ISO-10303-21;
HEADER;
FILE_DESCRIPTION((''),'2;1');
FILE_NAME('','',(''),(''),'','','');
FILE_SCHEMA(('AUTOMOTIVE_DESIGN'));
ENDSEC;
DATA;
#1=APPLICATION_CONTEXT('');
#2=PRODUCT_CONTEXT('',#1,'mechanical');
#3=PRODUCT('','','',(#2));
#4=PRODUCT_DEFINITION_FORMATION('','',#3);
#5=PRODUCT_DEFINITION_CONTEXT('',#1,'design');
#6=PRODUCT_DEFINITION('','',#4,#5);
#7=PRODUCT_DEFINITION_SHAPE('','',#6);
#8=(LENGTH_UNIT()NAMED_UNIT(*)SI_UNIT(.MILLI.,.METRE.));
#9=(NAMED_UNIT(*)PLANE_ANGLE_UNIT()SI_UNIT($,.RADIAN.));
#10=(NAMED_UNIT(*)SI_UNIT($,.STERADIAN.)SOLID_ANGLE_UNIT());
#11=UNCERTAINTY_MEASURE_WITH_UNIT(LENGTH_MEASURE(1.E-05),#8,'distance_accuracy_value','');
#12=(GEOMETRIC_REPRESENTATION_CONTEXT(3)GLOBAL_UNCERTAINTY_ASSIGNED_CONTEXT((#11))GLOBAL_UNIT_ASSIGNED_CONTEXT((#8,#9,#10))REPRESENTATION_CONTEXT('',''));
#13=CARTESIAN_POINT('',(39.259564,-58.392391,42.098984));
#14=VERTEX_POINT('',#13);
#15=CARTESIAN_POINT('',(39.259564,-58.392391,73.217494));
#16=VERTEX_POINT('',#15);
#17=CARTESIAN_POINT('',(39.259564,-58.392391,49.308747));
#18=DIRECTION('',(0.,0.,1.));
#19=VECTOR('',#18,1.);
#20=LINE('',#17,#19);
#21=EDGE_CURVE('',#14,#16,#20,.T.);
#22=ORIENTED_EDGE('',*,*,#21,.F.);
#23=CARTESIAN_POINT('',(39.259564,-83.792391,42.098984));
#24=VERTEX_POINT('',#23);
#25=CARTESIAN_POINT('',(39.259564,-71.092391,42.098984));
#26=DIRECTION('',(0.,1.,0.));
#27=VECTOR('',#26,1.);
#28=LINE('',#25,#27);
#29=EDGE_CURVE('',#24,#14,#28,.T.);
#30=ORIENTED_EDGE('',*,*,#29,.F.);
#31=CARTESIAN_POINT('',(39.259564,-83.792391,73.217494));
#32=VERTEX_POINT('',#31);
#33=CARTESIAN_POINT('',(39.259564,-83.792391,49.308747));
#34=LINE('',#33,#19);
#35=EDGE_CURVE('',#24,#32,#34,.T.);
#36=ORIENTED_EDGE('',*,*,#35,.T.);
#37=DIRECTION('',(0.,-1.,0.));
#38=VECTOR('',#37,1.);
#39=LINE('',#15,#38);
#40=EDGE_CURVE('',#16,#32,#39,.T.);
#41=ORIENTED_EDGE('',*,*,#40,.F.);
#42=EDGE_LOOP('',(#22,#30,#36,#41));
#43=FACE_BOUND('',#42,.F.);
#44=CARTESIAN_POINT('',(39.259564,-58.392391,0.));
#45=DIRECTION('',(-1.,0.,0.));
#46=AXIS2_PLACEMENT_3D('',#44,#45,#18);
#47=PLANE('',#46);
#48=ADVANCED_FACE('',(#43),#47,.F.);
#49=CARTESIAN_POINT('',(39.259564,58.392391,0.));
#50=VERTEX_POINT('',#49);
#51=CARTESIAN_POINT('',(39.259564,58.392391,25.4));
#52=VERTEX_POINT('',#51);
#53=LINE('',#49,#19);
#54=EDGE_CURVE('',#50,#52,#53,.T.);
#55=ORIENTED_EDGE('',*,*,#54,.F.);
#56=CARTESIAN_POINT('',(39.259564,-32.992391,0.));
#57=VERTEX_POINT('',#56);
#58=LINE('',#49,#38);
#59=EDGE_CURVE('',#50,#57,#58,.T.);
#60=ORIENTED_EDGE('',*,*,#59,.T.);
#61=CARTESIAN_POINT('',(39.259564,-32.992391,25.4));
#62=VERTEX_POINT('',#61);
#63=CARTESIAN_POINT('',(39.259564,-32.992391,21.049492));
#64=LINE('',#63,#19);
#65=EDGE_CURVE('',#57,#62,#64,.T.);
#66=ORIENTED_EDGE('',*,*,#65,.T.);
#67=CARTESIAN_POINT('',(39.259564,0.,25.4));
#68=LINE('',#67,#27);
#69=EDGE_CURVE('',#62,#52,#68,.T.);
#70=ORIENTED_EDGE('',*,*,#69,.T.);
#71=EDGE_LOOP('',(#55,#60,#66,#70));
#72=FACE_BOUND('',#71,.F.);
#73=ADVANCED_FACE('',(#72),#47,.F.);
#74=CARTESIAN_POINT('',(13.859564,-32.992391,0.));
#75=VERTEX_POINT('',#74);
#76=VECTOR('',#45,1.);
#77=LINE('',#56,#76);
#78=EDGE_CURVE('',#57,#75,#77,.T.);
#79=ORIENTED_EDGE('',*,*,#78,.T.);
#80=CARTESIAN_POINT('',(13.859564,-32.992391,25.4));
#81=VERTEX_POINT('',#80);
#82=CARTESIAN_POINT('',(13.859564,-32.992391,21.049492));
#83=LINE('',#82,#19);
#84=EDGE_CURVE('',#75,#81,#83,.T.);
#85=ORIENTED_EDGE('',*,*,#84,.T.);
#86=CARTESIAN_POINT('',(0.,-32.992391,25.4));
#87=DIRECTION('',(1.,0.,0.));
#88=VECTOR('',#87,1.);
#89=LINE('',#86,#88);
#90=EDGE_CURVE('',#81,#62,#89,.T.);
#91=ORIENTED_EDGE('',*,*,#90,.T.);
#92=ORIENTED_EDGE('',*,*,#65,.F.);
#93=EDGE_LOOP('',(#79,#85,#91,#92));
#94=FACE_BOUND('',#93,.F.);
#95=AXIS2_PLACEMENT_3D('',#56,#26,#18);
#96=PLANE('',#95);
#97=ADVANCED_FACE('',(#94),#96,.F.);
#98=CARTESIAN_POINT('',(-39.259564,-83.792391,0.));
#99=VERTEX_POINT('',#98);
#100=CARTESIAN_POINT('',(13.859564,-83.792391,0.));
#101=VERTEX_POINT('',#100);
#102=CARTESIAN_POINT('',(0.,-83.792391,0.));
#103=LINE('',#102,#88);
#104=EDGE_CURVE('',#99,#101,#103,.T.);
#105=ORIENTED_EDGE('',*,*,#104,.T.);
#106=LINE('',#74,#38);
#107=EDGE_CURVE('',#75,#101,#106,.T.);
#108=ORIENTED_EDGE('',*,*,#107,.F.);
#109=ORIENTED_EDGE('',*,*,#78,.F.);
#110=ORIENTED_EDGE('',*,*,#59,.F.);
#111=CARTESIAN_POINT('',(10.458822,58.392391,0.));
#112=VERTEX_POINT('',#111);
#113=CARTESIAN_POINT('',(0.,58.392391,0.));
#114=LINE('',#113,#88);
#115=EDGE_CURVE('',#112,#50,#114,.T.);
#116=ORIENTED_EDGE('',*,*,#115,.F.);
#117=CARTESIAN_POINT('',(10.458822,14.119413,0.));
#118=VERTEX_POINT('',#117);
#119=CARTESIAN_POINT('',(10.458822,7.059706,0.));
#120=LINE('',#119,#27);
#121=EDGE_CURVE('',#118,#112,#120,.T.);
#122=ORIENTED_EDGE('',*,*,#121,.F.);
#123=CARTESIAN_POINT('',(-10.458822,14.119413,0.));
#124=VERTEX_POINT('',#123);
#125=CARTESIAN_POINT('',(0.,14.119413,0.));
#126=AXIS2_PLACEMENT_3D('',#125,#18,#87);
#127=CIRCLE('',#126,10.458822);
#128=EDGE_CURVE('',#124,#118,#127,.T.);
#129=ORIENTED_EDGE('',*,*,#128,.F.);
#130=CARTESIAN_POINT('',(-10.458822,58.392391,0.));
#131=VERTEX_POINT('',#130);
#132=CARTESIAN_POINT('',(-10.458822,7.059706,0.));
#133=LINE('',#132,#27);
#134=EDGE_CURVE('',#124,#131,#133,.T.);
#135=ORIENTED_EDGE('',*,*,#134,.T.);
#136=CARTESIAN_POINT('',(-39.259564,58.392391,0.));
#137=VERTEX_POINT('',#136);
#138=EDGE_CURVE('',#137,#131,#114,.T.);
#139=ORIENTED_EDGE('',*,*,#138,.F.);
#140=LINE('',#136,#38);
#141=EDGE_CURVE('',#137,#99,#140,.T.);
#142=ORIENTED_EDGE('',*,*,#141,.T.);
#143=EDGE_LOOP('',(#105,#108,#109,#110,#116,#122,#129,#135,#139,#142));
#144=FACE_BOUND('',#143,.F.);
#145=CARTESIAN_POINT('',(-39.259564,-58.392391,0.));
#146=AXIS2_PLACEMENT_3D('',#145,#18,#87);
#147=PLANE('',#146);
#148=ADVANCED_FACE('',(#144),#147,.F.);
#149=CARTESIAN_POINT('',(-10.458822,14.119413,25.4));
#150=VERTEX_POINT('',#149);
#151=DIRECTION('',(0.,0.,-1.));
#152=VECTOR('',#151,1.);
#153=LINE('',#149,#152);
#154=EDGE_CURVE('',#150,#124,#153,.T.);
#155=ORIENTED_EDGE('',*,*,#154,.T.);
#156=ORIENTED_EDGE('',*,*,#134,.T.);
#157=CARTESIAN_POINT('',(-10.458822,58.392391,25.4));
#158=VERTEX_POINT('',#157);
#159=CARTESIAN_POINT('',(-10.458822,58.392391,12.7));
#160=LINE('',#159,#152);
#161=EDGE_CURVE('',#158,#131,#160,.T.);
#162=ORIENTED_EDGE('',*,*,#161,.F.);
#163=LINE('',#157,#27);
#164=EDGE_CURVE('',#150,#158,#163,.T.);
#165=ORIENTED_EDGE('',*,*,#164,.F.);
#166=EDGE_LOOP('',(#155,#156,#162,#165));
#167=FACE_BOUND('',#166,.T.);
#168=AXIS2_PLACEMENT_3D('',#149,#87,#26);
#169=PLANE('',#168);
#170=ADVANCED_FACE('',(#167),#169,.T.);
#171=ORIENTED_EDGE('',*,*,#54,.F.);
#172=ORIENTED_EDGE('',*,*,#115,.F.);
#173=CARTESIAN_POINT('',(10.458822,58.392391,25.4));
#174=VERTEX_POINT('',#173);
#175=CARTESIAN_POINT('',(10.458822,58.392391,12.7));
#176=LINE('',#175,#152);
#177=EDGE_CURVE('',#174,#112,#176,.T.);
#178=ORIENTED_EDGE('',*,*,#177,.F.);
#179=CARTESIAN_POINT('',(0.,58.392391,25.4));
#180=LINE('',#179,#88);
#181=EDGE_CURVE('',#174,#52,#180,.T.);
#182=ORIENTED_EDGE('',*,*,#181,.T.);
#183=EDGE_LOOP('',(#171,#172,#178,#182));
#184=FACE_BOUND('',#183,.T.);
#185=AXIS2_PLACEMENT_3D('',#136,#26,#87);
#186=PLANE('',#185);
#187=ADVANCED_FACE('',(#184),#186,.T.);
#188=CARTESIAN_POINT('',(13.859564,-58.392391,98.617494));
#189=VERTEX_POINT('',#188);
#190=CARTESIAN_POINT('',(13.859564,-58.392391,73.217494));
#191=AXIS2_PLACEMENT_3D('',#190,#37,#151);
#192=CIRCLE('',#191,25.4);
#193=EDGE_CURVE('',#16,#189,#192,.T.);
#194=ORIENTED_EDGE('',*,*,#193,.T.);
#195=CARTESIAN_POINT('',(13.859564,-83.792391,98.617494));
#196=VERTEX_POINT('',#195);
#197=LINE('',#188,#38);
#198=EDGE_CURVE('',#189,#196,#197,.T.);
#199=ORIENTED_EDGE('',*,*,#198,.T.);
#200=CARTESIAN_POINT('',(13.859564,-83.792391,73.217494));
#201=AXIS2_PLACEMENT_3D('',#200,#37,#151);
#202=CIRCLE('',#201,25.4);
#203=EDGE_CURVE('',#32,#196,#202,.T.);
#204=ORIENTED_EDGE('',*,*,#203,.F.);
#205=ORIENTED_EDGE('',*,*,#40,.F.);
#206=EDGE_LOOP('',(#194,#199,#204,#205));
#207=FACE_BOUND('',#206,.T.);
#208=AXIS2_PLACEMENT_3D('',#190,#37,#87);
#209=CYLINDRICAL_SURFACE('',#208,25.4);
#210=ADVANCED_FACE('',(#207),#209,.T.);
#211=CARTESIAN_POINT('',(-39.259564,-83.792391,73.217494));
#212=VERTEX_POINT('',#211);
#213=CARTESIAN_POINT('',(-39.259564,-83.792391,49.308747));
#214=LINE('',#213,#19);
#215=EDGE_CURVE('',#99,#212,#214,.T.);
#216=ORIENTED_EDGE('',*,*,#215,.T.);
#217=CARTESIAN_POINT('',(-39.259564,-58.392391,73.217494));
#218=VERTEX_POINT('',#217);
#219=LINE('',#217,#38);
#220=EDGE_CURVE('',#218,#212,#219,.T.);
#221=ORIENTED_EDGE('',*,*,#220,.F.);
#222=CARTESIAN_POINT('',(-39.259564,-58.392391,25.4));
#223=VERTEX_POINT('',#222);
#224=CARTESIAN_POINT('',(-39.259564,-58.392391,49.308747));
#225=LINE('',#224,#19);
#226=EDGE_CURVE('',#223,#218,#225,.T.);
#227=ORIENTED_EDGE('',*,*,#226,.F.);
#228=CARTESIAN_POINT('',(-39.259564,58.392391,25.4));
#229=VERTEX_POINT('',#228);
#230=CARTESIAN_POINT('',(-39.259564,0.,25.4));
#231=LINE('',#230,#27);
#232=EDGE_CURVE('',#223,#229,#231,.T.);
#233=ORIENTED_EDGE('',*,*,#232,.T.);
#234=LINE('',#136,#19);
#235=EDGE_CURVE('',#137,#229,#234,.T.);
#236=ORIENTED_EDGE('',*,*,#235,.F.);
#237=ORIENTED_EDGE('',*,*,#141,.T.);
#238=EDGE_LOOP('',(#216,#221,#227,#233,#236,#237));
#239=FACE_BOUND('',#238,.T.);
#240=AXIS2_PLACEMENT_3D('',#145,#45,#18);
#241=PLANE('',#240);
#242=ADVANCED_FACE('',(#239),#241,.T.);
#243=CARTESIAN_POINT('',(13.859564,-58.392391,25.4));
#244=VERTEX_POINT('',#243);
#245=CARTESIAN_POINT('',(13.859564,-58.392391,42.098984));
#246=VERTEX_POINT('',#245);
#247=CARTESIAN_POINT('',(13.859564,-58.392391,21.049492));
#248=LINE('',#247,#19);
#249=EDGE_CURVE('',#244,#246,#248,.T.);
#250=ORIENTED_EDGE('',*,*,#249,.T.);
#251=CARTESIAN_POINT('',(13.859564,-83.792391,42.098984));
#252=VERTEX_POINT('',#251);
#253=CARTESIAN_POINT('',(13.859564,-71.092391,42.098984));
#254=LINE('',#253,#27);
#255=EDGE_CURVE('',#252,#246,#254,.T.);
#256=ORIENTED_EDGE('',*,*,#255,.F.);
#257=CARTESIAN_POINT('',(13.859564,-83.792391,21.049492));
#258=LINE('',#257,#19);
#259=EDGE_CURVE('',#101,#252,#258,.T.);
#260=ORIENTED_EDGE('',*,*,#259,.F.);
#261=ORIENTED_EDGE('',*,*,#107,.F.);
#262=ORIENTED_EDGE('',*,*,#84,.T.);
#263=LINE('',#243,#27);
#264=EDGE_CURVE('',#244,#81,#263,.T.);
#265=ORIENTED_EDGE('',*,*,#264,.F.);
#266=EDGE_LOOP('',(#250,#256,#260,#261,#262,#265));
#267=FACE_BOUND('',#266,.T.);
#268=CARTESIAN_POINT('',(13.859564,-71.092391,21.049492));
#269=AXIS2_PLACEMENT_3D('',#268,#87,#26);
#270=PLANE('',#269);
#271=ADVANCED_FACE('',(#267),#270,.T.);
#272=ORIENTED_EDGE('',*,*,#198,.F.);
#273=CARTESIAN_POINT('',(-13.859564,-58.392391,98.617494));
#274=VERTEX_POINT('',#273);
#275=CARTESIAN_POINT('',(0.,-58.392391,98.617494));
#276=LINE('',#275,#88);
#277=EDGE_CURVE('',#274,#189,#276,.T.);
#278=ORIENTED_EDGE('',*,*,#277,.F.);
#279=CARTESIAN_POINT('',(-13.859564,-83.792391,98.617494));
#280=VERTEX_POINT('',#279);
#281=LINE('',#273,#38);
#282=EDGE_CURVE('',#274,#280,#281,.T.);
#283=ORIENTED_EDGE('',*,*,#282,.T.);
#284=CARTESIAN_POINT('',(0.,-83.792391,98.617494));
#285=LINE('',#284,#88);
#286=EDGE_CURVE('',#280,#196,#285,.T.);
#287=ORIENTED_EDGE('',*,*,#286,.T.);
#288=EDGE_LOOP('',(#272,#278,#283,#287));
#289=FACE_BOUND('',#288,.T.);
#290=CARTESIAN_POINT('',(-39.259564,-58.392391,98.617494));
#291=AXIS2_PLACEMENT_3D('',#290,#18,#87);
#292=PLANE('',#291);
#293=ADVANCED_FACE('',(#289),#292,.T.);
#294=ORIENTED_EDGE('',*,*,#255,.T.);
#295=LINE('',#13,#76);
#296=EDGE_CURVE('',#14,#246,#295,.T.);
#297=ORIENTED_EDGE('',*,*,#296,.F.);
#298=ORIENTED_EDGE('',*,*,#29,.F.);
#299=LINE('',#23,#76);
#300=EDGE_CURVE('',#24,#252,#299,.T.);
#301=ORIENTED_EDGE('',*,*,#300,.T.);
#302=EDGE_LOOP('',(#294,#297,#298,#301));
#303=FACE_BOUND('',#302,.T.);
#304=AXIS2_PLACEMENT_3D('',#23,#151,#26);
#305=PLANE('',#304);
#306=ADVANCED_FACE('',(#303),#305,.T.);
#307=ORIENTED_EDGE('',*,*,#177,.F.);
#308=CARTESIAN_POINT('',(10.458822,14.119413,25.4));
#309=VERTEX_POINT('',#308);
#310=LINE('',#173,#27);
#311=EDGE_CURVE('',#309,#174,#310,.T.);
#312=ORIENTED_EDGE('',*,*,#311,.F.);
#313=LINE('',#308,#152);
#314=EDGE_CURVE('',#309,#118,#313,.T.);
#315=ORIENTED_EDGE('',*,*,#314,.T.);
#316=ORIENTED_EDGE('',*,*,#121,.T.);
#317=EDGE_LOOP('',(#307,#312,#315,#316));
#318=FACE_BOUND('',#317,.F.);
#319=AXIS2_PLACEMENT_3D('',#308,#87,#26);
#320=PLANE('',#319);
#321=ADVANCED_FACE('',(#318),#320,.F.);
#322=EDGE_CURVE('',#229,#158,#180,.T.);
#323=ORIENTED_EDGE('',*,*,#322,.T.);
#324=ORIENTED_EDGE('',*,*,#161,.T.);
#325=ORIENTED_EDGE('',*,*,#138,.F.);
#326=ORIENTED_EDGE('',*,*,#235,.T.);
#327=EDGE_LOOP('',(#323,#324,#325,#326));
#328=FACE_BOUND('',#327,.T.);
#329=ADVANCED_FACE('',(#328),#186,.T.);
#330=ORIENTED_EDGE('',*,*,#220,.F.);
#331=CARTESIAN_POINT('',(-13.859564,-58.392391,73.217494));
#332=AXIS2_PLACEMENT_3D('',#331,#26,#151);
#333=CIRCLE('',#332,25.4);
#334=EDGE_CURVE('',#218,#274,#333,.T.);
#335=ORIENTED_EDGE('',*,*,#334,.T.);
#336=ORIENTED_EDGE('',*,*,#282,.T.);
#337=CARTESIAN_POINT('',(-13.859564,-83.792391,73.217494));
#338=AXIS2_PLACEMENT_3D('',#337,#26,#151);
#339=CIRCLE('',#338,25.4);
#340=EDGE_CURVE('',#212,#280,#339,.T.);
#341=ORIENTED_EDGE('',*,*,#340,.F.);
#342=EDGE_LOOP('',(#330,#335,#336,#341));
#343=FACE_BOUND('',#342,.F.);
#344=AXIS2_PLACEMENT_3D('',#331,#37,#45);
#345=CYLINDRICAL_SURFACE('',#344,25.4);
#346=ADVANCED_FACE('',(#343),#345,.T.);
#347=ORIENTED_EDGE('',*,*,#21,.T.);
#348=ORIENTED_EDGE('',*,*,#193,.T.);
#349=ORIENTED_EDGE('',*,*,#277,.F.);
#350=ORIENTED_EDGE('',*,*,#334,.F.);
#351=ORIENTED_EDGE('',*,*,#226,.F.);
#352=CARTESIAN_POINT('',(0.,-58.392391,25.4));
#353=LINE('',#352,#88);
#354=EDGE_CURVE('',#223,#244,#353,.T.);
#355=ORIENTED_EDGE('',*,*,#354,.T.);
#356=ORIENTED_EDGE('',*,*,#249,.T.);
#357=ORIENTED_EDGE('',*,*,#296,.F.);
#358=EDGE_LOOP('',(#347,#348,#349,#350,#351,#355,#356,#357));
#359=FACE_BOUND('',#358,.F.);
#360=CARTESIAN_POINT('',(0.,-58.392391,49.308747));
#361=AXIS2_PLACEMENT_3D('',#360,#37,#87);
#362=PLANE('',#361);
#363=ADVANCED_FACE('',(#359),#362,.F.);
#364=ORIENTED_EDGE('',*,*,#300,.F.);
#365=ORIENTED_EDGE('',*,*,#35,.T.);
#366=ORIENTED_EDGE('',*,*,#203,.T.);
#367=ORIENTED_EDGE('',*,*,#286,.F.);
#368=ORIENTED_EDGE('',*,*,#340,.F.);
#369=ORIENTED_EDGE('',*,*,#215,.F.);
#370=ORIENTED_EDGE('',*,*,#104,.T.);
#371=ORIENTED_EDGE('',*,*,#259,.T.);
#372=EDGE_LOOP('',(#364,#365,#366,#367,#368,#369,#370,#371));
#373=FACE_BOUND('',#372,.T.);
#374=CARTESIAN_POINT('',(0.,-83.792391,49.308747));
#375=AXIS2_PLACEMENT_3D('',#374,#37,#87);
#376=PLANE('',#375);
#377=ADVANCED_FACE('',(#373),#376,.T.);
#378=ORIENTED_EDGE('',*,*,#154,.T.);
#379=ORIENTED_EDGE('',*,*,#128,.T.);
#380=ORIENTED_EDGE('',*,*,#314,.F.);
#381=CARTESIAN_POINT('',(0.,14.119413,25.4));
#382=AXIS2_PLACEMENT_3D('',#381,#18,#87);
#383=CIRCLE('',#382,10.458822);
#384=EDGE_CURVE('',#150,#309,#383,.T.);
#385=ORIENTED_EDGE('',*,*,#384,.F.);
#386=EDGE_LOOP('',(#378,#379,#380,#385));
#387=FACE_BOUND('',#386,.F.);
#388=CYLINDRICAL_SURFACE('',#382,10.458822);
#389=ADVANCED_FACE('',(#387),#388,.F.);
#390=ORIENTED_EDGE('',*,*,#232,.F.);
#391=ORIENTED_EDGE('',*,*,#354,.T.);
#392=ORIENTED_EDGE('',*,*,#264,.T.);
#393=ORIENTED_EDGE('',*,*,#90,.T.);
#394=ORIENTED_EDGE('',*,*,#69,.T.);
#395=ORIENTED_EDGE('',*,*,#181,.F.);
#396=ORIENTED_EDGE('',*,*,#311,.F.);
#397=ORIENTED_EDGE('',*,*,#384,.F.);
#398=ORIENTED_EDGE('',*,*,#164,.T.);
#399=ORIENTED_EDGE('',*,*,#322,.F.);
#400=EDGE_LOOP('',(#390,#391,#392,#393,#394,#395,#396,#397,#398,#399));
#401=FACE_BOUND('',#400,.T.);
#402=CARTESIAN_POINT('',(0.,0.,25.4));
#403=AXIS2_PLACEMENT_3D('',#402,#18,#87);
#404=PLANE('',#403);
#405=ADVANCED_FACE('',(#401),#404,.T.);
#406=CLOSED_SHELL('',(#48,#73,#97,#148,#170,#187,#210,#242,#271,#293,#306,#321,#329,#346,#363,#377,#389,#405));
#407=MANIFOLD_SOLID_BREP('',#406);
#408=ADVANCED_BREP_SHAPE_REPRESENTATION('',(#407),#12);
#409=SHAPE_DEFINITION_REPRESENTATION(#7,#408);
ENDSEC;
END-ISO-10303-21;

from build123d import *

# Parameters (mm, degrees)
F0_W      = 78.519128263
F0_H      = 116.7847812176
F1_DEPTH  = 25.4
F2_W      = 20.9176447242
F2_H      = 88.5459557176
F3_DEPTH  = 25.401
F4_R      = 10.4588223621
F5_DEPTH  = 25.4
F6_W      = 78.519128263
F6_H      = 98.6174941063
F7_DEPTH  = 25.4
F8_R      = 25.4
F9_W      = 25.4
F9_H      = 42.0989841223
F10_DEPTH = 25.4
F11_DEPTH = 25.4


with BuildPart() as f1:
    # F0 (on Top) → F1 (new body)
    with BuildSketch(Plane.XY):
        Rectangle(F0_W, F0_H)
    extrude(amount=F1_DEPTH)

    # F2 (on face) → F3 (cut, through all)
    with BuildSketch(Plane.XY.offset(25.4)):
        with Locations((0, 58.3923906088)):
            Rectangle(F2_W, F2_H)
    extrude(amount=-F3_DEPTH, mode=Mode.SUBTRACT)

    # F4 (on face) → F5 (cut)
    with BuildSketch(Plane.XY.offset(25.4)):
        with Locations((0, 14.11941275)):
            Circle(F4_R)
    extrude(amount=-F5_DEPTH, mode=Mode.SUBTRACT)

    # F6 (on face) → F7 (join)
    with BuildSketch(Plane.XZ.offset(58.3923906088)):
        with Locations((0, 49.3087470531)):
            Rectangle(F6_W, F6_H)
    extrude(amount=F7_DEPTH)

    # F8
    f8_edges = [f1.edges().sort_by_distance(p)[0] for p in [
        (-39.259564, -71.092391, 98.617494),
        (39.259564, -71.092391, 98.617494),
    ]]
    fillet(f8_edges, radius=F8_R)

    # F9 (on face) → F10 (cut)
    with BuildSketch(Plane.YZ.offset(39.2595641315)):
        with Locations((-71.0923906088, 21.0494920611)):
            Rectangle(F9_W, F9_H)
    extrude(amount=-F10_DEPTH, mode=Mode.SUBTRACT)

    # F11 (cut): a face of the model
    f11_faces = [f1.faces().sort_by_distance(p)[0] for p in [
        (26.5595641315, -58.3923906088, 12.7),
    ]]
    extrude(f11_faces, amount=-F11_DEPTH, mode=Mode.SUBTRACT)


solid = f1.part
